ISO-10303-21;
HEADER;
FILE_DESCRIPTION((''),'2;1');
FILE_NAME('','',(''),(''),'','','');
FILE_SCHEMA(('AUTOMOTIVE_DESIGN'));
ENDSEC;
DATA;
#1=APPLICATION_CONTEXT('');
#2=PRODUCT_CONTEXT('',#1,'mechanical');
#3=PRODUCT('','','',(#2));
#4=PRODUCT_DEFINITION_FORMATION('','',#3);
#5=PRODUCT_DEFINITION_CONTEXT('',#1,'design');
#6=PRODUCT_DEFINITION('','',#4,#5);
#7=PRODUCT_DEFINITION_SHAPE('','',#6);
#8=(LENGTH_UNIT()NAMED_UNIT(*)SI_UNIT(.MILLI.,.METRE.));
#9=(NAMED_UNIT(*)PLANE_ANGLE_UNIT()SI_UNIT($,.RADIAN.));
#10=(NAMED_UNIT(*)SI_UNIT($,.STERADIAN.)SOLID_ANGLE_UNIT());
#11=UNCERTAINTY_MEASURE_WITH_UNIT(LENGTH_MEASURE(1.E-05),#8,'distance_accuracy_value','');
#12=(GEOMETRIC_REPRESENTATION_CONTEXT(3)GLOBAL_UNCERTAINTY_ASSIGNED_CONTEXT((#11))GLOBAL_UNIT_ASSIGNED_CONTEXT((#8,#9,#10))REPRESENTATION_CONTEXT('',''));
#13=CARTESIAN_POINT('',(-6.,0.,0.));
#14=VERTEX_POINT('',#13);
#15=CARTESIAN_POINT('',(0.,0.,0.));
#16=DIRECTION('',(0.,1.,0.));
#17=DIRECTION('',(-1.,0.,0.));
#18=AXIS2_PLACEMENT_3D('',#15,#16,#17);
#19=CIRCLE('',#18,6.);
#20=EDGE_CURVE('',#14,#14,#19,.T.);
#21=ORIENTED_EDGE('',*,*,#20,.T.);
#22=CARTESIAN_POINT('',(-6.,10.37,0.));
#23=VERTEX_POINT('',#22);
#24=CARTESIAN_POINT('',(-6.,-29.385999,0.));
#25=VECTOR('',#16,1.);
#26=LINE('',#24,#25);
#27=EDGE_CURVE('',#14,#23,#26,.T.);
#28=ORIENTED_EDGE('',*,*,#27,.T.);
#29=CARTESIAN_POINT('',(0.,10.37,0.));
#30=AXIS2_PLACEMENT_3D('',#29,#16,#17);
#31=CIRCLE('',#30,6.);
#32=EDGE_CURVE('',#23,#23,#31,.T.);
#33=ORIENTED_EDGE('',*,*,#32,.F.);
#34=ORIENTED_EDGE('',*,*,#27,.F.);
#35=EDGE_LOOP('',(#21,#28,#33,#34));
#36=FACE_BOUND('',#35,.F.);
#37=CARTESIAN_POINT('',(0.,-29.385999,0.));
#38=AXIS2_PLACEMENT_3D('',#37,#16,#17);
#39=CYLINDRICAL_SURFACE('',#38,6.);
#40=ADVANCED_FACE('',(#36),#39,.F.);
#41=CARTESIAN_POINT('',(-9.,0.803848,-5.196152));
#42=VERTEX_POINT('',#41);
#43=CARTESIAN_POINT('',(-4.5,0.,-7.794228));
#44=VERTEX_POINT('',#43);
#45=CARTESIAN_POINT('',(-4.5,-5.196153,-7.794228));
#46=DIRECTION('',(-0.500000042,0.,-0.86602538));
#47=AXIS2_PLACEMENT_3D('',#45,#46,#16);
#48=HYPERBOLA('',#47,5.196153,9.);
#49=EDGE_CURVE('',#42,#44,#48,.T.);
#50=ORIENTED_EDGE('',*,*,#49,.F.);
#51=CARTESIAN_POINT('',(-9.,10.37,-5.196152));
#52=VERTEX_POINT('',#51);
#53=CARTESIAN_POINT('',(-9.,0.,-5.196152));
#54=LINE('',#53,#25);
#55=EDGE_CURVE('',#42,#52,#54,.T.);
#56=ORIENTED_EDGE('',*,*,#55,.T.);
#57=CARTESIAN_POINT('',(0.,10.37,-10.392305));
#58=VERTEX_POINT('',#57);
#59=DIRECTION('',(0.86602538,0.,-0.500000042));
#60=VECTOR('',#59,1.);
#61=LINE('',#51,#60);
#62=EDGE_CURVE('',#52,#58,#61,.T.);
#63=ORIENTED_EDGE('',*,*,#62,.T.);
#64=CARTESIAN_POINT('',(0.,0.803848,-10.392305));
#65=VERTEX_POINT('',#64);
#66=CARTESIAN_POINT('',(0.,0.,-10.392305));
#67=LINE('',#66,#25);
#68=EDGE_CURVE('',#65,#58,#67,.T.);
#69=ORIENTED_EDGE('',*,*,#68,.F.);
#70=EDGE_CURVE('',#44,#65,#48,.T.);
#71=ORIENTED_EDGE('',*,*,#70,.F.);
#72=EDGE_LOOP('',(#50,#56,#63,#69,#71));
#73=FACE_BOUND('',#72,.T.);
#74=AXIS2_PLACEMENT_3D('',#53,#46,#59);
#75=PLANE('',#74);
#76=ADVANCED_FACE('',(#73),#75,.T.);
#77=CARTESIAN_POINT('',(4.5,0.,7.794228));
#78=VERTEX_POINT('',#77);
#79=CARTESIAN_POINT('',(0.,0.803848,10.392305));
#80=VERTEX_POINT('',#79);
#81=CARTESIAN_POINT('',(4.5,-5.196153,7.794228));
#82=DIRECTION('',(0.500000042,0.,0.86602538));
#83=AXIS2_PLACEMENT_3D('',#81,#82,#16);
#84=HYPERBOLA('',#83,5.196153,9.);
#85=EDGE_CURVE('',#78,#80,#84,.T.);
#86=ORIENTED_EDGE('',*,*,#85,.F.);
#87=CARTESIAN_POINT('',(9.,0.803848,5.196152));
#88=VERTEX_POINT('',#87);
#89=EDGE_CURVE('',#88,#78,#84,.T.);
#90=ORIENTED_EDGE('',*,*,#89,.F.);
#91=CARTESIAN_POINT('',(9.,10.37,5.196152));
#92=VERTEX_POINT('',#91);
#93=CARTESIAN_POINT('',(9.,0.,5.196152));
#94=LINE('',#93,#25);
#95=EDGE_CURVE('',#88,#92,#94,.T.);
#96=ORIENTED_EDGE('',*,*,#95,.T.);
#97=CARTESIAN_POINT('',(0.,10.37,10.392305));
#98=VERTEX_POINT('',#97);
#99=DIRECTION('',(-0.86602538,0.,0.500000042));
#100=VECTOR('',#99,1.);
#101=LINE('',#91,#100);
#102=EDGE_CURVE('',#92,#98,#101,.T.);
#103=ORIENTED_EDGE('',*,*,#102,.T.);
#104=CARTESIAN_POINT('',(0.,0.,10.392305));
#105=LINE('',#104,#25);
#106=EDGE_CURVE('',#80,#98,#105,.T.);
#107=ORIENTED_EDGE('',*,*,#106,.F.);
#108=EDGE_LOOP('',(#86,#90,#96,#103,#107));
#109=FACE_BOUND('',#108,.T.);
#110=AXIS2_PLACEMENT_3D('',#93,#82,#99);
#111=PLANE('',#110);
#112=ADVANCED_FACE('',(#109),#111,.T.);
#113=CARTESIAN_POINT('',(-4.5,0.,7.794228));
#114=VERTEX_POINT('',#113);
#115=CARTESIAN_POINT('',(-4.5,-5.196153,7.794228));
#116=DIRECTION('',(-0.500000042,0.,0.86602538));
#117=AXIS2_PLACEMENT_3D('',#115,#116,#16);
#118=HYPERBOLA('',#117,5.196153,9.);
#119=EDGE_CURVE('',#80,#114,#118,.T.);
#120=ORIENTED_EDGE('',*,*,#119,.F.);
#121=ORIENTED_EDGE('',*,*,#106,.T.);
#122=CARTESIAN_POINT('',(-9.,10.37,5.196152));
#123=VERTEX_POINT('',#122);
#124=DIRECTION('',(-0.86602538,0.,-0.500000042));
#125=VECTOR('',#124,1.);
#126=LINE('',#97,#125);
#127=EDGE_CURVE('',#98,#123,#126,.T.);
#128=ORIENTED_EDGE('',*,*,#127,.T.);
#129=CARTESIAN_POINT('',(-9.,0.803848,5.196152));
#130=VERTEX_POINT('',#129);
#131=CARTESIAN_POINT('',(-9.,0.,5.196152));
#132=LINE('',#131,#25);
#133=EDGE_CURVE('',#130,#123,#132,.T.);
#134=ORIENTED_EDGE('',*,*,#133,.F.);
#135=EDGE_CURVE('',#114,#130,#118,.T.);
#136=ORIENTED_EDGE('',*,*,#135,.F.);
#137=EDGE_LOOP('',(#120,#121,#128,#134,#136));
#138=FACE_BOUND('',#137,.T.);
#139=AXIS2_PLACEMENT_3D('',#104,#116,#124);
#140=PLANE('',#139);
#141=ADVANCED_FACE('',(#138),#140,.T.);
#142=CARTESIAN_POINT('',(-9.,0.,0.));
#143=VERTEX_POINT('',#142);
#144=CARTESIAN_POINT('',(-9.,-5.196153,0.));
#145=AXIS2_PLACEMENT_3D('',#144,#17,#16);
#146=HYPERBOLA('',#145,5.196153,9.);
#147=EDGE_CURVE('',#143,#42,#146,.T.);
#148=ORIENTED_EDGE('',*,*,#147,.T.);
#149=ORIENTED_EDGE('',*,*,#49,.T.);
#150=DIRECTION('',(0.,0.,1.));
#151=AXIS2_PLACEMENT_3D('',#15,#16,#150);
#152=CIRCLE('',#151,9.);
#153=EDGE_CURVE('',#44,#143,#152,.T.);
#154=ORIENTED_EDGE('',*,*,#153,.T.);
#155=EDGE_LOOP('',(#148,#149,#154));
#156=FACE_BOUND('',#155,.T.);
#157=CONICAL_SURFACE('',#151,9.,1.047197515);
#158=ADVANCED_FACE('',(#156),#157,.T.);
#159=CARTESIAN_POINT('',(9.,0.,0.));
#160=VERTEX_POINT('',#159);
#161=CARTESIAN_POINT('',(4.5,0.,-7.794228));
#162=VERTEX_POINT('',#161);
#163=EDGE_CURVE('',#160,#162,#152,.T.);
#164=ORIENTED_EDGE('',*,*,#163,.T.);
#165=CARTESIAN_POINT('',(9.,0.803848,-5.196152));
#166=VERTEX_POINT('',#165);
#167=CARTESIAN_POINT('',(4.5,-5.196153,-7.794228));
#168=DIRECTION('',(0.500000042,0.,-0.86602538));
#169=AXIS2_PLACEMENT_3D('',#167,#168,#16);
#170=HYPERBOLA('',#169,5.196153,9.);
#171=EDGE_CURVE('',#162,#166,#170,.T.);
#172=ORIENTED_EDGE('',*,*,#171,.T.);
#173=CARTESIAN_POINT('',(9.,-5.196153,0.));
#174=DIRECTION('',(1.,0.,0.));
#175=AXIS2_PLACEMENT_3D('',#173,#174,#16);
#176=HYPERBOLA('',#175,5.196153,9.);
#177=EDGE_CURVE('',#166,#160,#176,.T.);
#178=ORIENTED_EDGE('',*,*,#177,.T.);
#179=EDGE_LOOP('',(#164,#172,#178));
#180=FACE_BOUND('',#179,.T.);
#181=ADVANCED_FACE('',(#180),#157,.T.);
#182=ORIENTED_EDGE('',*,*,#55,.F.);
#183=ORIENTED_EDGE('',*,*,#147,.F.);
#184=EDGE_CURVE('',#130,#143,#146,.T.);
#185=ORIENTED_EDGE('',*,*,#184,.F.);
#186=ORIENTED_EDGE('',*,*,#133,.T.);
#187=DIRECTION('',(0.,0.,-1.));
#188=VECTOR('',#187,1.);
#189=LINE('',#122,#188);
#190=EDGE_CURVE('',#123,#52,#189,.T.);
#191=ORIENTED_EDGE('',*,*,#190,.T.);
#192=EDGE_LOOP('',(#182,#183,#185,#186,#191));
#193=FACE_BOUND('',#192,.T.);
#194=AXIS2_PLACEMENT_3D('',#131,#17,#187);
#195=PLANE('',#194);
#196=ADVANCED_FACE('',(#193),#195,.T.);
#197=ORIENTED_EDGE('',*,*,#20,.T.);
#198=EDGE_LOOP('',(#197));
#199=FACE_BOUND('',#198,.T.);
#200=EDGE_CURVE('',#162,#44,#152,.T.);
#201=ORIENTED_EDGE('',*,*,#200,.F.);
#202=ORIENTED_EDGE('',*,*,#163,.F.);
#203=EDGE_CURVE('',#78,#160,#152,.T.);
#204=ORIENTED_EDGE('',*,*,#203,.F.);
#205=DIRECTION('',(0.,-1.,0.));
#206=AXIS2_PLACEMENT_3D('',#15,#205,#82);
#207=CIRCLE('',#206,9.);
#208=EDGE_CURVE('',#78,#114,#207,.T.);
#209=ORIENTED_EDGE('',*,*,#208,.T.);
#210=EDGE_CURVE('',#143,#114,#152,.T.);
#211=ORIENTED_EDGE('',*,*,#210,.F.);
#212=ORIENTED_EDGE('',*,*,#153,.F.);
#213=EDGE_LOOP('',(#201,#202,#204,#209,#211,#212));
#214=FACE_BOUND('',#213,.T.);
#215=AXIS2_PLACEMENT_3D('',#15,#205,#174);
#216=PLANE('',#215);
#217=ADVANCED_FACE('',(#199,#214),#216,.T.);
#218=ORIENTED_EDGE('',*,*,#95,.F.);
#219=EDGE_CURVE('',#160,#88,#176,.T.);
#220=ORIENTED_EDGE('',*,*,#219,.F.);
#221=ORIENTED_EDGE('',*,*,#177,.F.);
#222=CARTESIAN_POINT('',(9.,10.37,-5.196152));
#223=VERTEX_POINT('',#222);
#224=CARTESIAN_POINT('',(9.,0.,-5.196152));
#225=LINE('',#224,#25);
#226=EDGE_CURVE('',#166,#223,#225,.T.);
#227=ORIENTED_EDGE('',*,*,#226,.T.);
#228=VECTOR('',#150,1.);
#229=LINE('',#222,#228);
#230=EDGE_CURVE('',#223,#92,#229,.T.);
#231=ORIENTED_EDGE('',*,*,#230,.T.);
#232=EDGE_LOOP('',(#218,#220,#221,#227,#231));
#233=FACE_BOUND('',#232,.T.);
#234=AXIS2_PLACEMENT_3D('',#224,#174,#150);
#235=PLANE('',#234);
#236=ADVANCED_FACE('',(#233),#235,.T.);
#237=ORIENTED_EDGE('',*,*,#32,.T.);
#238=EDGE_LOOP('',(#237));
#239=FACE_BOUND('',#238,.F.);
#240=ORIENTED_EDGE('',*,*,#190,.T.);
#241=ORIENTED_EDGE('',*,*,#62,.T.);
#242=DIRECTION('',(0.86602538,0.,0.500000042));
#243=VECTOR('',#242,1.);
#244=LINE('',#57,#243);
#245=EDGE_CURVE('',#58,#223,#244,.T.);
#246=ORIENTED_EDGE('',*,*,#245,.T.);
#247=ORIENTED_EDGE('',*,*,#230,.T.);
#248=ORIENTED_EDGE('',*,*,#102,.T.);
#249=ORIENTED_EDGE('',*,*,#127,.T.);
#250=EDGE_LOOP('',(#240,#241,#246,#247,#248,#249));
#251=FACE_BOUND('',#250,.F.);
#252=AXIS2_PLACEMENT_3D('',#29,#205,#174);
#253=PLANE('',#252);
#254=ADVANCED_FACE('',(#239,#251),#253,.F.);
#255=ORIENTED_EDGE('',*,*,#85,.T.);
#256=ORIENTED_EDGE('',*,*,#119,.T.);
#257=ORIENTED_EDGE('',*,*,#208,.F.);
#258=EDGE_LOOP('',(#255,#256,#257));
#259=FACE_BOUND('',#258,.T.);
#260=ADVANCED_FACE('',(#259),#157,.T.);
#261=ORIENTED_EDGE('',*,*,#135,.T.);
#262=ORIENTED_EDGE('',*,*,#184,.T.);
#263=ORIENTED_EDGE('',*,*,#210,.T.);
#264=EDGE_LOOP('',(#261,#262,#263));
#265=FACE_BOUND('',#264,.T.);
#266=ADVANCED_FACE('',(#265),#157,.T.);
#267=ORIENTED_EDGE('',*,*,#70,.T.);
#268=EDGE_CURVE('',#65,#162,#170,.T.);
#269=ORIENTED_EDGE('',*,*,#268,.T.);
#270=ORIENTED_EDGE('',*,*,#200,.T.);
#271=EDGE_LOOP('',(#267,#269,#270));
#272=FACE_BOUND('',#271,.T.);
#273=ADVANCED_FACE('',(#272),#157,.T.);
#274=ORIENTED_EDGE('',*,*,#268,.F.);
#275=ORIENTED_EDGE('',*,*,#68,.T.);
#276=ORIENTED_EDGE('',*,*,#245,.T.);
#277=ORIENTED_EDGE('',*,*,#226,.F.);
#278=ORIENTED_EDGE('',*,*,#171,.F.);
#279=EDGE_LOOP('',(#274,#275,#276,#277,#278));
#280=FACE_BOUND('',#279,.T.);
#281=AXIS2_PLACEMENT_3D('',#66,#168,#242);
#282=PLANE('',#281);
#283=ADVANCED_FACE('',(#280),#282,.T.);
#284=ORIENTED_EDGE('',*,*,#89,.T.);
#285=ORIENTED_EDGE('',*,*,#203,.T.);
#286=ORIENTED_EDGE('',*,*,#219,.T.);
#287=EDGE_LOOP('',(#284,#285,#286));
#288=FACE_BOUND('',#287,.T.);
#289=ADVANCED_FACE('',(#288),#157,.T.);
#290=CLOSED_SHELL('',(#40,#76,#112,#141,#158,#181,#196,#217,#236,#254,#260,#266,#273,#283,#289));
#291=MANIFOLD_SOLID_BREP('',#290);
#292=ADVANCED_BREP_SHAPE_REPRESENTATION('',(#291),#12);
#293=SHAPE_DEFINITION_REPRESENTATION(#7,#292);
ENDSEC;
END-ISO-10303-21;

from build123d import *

# Parameters (mm, degrees)
F1_DEPTH = 10.37
F5_D     = 12


with BuildPart() as f1:
    # F0 (on Front) → F1 (new body)
    with BuildSketch(Plane.XZ):
        Polygon((9, -5.196152), (9, 5.196152), (0, 10.392305), (-9, 5.196152), (-9, -5.196152), (0, -10.392305), align=None)
    extrude(amount=-F1_DEPTH)

    # F2 (on Right) → F3 (revolve, cut)
    with BuildSketch(Plane.YZ):
        Polygon((0, 14.392305), (0, 9), (3.113249, 14.392305), align=None)
    revolve(axis=Axis((0, 2.79976, 0), (0, 1, 0)), mode=Mode.SUBTRACT)

    # F5 (through all)
    with Locations(Plane.XZ):
        with Locations((0, 0)):
            Hole(F5_D / 2)


solid = f1.part
